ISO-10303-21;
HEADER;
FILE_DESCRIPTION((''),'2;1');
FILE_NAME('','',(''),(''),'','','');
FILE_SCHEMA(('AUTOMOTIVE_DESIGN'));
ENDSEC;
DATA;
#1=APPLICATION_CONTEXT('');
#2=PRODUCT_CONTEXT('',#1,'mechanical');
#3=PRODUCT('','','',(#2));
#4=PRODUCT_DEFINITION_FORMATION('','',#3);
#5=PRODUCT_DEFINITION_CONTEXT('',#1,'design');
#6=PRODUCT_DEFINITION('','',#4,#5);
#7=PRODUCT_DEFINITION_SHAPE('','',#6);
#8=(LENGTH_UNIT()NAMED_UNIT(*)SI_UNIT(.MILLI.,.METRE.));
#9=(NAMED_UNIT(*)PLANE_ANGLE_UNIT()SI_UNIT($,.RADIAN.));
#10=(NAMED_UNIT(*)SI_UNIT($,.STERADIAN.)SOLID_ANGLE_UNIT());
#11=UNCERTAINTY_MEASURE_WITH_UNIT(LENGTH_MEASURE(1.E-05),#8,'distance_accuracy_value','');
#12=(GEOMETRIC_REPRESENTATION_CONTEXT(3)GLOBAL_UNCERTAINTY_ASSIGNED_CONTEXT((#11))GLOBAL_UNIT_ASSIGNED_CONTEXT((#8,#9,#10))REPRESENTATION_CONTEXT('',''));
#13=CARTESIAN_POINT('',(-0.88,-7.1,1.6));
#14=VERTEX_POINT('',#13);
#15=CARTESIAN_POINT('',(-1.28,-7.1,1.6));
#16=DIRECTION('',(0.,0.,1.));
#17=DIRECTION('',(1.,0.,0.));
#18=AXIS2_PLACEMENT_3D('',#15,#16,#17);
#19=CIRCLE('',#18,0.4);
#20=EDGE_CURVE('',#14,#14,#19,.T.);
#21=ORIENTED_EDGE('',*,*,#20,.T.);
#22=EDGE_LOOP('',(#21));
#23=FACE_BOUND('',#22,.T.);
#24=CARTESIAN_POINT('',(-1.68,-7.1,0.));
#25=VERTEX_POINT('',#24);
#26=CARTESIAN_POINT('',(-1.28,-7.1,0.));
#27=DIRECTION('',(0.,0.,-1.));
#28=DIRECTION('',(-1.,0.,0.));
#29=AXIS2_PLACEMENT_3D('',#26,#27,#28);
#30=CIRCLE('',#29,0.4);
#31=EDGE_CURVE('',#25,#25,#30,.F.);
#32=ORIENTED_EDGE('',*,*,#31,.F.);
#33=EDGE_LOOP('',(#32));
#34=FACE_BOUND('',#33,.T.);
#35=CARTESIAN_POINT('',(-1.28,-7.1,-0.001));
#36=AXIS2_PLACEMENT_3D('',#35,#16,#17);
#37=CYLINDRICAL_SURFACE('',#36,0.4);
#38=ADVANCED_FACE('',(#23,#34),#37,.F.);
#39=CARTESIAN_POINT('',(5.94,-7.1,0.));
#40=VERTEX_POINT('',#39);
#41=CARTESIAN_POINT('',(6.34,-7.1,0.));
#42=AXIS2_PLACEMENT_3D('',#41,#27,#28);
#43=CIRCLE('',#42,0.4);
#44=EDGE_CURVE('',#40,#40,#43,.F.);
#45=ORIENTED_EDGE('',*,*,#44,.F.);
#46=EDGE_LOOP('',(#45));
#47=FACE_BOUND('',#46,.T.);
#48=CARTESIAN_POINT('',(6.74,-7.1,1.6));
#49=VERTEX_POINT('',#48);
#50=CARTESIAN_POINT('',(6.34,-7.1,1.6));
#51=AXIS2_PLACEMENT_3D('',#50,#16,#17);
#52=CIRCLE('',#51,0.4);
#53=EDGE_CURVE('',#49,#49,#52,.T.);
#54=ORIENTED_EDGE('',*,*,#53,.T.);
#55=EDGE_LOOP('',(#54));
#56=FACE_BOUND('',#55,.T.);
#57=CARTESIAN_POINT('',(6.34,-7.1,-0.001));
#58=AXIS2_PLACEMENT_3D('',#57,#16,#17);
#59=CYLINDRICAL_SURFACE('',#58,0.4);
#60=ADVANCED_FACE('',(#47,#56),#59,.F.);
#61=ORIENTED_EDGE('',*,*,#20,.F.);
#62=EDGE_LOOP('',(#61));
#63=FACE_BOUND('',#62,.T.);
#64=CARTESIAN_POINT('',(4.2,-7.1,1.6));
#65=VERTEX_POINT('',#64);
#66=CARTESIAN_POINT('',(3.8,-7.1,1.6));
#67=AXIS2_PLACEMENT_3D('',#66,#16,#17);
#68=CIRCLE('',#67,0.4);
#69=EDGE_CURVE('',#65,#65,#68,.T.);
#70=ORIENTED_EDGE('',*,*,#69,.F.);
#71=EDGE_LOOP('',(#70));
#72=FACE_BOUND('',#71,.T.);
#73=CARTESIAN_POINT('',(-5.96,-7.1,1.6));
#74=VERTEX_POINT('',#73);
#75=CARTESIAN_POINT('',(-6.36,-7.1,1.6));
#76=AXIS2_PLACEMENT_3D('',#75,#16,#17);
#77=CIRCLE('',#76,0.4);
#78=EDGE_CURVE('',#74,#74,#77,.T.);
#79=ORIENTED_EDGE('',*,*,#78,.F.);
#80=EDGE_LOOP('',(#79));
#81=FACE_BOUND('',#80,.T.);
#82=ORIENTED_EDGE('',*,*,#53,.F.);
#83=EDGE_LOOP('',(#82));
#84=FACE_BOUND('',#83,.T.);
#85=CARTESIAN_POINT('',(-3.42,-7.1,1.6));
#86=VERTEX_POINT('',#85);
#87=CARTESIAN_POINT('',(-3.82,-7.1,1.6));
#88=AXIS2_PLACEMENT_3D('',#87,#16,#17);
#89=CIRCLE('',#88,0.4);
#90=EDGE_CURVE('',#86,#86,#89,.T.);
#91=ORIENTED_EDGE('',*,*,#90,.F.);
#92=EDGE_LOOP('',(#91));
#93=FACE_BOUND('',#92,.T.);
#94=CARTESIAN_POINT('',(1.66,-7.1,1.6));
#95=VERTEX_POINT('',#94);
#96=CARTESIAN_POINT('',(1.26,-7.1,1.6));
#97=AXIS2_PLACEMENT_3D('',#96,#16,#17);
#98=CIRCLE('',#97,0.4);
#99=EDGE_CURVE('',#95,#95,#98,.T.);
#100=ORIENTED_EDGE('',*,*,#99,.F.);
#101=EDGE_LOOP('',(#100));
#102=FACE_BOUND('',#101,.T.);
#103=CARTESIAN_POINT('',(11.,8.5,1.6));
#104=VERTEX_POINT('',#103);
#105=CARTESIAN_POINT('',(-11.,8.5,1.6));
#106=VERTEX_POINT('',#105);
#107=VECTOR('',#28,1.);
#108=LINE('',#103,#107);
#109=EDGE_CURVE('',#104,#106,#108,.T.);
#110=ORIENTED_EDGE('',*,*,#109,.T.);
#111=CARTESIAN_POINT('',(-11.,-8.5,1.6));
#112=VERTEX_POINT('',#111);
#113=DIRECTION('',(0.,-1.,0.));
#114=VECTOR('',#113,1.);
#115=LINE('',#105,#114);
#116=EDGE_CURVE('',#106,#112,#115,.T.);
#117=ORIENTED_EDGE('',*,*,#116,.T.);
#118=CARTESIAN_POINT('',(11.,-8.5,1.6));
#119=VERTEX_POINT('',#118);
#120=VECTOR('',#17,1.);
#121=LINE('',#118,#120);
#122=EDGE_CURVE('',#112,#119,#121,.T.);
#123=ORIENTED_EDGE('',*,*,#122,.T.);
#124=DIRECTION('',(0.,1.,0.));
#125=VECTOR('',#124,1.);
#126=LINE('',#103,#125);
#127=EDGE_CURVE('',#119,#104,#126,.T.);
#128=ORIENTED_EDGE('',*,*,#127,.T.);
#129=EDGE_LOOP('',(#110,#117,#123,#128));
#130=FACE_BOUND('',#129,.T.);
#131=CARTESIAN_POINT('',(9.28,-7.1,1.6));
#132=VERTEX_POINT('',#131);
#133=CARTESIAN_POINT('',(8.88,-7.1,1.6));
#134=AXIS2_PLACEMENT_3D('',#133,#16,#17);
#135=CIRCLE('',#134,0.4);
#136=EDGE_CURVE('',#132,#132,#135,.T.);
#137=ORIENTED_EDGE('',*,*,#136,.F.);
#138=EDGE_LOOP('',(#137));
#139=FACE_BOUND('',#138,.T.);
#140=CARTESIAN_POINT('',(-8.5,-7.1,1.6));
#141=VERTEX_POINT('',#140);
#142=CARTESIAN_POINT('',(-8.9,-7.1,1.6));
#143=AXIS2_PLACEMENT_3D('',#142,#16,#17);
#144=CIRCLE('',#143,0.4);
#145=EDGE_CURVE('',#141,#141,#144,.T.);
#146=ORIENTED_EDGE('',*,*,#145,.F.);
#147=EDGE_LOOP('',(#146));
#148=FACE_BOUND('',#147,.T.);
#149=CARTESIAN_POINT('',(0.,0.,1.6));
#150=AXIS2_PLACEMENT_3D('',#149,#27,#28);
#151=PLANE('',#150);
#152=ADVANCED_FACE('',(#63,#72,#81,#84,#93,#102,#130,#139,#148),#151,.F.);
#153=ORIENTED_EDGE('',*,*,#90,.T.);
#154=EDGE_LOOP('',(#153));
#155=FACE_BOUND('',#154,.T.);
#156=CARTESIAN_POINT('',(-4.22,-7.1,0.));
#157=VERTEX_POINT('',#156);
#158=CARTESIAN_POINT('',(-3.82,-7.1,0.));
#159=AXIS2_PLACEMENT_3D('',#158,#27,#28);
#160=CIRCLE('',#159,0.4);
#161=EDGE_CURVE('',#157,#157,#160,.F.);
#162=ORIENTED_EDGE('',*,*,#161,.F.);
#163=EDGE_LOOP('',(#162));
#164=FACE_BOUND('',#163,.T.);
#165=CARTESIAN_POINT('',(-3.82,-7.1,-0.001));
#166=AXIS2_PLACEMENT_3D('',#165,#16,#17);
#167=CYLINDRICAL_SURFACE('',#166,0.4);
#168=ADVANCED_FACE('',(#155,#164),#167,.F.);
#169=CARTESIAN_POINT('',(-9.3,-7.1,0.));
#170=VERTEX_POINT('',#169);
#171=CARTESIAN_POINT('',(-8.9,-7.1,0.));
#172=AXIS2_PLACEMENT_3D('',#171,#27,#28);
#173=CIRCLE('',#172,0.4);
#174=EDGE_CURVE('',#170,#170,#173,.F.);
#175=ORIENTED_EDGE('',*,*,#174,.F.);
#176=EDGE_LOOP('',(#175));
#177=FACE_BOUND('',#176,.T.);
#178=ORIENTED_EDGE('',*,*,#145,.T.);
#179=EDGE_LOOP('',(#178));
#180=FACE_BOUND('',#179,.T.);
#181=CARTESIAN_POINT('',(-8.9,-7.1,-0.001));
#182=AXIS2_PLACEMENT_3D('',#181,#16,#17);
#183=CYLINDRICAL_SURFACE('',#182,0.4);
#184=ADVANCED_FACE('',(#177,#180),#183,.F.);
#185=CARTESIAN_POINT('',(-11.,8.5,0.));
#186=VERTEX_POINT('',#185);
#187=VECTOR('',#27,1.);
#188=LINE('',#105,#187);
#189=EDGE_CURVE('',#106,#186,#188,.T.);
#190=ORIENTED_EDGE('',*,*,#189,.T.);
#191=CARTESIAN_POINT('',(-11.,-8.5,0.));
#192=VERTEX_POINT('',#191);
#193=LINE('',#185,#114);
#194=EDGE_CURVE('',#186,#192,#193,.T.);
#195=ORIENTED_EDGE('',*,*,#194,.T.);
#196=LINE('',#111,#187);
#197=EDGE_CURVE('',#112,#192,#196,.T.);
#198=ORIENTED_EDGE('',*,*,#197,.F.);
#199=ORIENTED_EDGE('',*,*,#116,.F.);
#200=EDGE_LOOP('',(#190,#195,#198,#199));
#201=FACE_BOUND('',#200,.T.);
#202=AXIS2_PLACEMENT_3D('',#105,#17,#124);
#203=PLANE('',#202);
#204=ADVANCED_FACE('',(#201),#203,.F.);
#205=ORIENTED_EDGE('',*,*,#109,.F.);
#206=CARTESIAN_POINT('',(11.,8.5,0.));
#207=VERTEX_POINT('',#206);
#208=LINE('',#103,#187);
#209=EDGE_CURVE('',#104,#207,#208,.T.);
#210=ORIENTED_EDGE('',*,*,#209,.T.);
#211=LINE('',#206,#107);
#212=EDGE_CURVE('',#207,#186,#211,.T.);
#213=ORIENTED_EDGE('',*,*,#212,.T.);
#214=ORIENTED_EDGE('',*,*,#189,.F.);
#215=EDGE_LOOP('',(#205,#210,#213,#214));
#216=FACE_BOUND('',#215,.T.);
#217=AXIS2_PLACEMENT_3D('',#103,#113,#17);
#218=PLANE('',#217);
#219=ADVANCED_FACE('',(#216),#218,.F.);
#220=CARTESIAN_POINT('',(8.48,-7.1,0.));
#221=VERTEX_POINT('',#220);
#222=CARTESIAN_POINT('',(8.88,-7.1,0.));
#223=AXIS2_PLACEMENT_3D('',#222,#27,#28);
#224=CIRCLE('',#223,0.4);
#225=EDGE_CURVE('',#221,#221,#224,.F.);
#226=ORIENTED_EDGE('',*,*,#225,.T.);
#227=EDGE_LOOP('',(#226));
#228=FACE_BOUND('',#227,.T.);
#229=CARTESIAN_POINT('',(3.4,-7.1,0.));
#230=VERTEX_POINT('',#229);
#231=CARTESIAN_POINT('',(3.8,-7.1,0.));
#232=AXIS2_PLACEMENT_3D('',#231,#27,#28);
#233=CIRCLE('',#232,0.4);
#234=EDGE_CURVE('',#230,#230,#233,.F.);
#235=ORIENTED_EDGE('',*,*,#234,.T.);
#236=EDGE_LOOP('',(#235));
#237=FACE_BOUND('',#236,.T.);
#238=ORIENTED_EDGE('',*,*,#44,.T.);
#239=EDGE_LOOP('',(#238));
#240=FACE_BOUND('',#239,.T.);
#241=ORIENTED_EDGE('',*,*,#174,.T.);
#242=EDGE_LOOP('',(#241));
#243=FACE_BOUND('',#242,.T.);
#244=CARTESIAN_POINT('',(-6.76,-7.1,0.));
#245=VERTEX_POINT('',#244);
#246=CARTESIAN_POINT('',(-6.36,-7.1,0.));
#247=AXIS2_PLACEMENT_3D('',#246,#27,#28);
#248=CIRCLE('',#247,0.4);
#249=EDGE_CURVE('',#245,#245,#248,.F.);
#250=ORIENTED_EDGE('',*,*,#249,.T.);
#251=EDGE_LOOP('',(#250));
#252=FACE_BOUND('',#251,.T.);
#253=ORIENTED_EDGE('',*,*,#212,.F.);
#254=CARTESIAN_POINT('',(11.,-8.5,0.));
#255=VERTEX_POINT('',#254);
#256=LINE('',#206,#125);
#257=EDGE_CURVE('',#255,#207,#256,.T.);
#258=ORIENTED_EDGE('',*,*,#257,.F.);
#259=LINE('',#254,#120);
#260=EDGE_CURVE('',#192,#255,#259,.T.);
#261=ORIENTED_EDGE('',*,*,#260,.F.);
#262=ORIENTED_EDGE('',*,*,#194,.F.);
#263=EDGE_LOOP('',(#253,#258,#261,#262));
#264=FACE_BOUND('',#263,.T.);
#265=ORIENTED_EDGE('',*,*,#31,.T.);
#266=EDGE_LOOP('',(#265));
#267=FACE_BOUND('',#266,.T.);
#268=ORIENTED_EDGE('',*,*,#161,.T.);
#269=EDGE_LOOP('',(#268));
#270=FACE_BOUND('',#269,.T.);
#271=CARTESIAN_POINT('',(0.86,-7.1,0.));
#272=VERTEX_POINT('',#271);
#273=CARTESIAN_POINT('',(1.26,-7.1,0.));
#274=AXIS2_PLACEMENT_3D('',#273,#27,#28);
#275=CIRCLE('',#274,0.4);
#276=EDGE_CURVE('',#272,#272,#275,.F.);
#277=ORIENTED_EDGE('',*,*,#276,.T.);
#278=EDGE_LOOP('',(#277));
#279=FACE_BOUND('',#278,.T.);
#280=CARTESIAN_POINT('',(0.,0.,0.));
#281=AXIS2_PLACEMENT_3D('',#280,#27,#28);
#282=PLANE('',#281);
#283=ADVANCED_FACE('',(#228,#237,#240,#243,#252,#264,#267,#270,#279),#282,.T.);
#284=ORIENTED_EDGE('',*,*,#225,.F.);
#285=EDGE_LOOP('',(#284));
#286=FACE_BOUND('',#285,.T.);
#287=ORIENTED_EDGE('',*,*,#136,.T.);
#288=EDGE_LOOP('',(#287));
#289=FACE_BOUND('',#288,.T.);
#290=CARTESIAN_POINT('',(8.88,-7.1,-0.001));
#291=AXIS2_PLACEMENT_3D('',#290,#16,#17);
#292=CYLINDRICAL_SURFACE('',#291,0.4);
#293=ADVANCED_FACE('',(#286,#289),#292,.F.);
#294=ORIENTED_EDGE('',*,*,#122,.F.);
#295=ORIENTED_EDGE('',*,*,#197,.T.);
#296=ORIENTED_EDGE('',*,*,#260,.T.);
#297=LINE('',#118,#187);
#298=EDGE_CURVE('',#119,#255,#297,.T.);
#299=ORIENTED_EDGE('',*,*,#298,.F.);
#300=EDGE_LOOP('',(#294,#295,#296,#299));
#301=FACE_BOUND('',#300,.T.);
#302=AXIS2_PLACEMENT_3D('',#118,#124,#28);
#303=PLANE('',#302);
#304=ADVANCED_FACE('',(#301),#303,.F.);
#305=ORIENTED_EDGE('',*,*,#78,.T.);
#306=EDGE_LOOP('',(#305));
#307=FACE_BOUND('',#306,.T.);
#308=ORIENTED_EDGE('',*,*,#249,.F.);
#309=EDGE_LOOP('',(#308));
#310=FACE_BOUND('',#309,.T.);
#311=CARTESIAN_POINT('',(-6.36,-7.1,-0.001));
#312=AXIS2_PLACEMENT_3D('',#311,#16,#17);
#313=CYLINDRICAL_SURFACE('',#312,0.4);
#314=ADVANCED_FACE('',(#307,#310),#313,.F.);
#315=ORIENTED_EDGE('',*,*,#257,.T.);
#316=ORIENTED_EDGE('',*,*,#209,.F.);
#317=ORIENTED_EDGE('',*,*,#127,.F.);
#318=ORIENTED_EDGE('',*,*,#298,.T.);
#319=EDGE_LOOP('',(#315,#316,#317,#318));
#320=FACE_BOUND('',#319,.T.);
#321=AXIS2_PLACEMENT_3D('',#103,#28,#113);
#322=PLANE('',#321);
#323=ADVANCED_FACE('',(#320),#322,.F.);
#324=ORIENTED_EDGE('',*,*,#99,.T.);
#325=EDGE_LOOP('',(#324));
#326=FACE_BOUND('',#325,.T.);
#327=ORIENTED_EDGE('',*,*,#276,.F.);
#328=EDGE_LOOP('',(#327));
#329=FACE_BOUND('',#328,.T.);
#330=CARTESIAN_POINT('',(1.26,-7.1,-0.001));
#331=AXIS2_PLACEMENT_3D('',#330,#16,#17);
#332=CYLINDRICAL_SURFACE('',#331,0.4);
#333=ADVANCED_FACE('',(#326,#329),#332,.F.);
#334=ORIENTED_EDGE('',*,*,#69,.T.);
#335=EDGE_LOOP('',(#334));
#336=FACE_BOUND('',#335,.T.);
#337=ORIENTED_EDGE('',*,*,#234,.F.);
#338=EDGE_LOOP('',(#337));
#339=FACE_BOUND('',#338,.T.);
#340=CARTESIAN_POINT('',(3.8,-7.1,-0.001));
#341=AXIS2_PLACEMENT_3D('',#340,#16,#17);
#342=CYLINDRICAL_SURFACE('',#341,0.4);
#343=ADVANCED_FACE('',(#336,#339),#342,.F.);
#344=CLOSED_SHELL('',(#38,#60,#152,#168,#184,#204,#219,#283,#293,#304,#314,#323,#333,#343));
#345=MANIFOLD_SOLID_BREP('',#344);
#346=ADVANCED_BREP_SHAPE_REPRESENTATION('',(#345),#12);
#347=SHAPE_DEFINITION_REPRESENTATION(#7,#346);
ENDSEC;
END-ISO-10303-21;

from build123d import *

# Parameters (mm, degrees)
SKETCH1_W           = 22
SKETCH1_H           = 17
BOSS_EXTRUDE1_DEPTH = 1.6
CUT_EXTRUDE1_REACH  = 3.6
SKETCH2_R           = 0.4


with BuildPart() as part:
    # Sketch1 → Boss-Extrude1 (new body)
    with BuildSketch(Plane.XY):
        Rectangle(SKETCH1_W, SKETCH1_H)
    extrude(amount=BOSS_EXTRUDE1_DEPTH)

    # Sketch2 → Cut-Extrude1 (cut, up to next)
    with BuildSketch(Plane.XY.offset(1.6), mode=Mode.PRIVATE) as cut_extrude1_sk1:
        with Locations((-8.9, -7.1)):
            Circle(SKETCH2_R)
    cut_extrude1_tool1 = extrude(cut_extrude1_sk1.sketch, amount=-CUT_EXTRUDE1_REACH, mode=Mode.PRIVATE) & part.part
    add(cut_extrude1_tool1.solids().sort_by_distance((-8.9, -7.1, 1.6))[0], mode=Mode.SUBTRACT)
    # Sketch2 → Cut-Extrude1 (cut, up to next)
    with BuildSketch(Plane.XY.offset(1.6), mode=Mode.PRIVATE) as cut_extrude1_sk2:
        with Locations((-6.36, -7.1)):
            Circle(SKETCH2_R)
    cut_extrude1_tool2 = extrude(cut_extrude1_sk2.sketch, amount=-CUT_EXTRUDE1_REACH, mode=Mode.PRIVATE) & part.part
    add(cut_extrude1_tool2.solids().sort_by_distance((-6.36, -7.1, 1.6))[0], mode=Mode.SUBTRACT)
    # Sketch2 → Cut-Extrude1 (cut, up to next)
    with BuildSketch(Plane.XY.offset(1.6), mode=Mode.PRIVATE) as cut_extrude1_sk3:
        with Locations((-3.82, -7.1)):
            Circle(SKETCH2_R)
    cut_extrude1_tool3 = extrude(cut_extrude1_sk3.sketch, amount=-CUT_EXTRUDE1_REACH, mode=Mode.PRIVATE) & part.part
    add(cut_extrude1_tool3.solids().sort_by_distance((-3.82, -7.1, 1.6))[0], mode=Mode.SUBTRACT)
    # Sketch2 → Cut-Extrude1 (cut, up to next)
    with BuildSketch(Plane.XY.offset(1.6), mode=Mode.PRIVATE) as cut_extrude1_sk4:
        with Locations((-1.28, -7.1)):
            Circle(SKETCH2_R)
    cut_extrude1_tool4 = extrude(cut_extrude1_sk4.sketch, amount=-CUT_EXTRUDE1_REACH, mode=Mode.PRIVATE) & part.part
    add(cut_extrude1_tool4.solids().sort_by_distance((-1.28, -7.1, 1.6))[0], mode=Mode.SUBTRACT)
    # Sketch2 → Cut-Extrude1 (cut, up to next)
    with BuildSketch(Plane.XY.offset(1.6), mode=Mode.PRIVATE) as cut_extrude1_sk5:
        with Locations((1.26, -7.1)):
            Circle(SKETCH2_R)
    cut_extrude1_tool5 = extrude(cut_extrude1_sk5.sketch, amount=-CUT_EXTRUDE1_REACH, mode=Mode.PRIVATE) & part.part
    add(cut_extrude1_tool5.solids().sort_by_distance((1.26, -7.1, 1.6))[0], mode=Mode.SUBTRACT)
    # Sketch2 → Cut-Extrude1 (cut, up to next)
    with BuildSketch(Plane.XY.offset(1.6), mode=Mode.PRIVATE) as cut_extrude1_sk6:
        with Locations((3.8, -7.1)):
            Circle(SKETCH2_R)
    cut_extrude1_tool6 = extrude(cut_extrude1_sk6.sketch, amount=-CUT_EXTRUDE1_REACH, mode=Mode.PRIVATE) & part.part
    add(cut_extrude1_tool6.solids().sort_by_distance((3.8, -7.1, 1.6))[0], mode=Mode.SUBTRACT)
    # Sketch2 → Cut-Extrude1 (cut, up to next)
    with BuildSketch(Plane.XY.offset(1.6), mode=Mode.PRIVATE) as cut_extrude1_sk7:
        with Locations((6.34, -7.1)):
            Circle(SKETCH2_R)
    cut_extrude1_tool7 = extrude(cut_extrude1_sk7.sketch, amount=-CUT_EXTRUDE1_REACH, mode=Mode.PRIVATE) & part.part
    add(cut_extrude1_tool7.solids().sort_by_distance((6.34, -7.1, 1.6))[0], mode=Mode.SUBTRACT)
    # Sketch2 → Cut-Extrude1 (cut, up to next)
    with BuildSketch(Plane.XY.offset(1.6), mode=Mode.PRIVATE) as cut_extrude1_sk8:
        with Locations((8.88, -7.1)):
            Circle(SKETCH2_R)
    cut_extrude1_tool8 = extrude(cut_extrude1_sk8.sketch, amount=-CUT_EXTRUDE1_REACH, mode=Mode.PRIVATE) & part.part
    add(cut_extrude1_tool8.solids().sort_by_distance((8.88, -7.1, 1.6))[0], mode=Mode.SUBTRACT)


solid = part.part
